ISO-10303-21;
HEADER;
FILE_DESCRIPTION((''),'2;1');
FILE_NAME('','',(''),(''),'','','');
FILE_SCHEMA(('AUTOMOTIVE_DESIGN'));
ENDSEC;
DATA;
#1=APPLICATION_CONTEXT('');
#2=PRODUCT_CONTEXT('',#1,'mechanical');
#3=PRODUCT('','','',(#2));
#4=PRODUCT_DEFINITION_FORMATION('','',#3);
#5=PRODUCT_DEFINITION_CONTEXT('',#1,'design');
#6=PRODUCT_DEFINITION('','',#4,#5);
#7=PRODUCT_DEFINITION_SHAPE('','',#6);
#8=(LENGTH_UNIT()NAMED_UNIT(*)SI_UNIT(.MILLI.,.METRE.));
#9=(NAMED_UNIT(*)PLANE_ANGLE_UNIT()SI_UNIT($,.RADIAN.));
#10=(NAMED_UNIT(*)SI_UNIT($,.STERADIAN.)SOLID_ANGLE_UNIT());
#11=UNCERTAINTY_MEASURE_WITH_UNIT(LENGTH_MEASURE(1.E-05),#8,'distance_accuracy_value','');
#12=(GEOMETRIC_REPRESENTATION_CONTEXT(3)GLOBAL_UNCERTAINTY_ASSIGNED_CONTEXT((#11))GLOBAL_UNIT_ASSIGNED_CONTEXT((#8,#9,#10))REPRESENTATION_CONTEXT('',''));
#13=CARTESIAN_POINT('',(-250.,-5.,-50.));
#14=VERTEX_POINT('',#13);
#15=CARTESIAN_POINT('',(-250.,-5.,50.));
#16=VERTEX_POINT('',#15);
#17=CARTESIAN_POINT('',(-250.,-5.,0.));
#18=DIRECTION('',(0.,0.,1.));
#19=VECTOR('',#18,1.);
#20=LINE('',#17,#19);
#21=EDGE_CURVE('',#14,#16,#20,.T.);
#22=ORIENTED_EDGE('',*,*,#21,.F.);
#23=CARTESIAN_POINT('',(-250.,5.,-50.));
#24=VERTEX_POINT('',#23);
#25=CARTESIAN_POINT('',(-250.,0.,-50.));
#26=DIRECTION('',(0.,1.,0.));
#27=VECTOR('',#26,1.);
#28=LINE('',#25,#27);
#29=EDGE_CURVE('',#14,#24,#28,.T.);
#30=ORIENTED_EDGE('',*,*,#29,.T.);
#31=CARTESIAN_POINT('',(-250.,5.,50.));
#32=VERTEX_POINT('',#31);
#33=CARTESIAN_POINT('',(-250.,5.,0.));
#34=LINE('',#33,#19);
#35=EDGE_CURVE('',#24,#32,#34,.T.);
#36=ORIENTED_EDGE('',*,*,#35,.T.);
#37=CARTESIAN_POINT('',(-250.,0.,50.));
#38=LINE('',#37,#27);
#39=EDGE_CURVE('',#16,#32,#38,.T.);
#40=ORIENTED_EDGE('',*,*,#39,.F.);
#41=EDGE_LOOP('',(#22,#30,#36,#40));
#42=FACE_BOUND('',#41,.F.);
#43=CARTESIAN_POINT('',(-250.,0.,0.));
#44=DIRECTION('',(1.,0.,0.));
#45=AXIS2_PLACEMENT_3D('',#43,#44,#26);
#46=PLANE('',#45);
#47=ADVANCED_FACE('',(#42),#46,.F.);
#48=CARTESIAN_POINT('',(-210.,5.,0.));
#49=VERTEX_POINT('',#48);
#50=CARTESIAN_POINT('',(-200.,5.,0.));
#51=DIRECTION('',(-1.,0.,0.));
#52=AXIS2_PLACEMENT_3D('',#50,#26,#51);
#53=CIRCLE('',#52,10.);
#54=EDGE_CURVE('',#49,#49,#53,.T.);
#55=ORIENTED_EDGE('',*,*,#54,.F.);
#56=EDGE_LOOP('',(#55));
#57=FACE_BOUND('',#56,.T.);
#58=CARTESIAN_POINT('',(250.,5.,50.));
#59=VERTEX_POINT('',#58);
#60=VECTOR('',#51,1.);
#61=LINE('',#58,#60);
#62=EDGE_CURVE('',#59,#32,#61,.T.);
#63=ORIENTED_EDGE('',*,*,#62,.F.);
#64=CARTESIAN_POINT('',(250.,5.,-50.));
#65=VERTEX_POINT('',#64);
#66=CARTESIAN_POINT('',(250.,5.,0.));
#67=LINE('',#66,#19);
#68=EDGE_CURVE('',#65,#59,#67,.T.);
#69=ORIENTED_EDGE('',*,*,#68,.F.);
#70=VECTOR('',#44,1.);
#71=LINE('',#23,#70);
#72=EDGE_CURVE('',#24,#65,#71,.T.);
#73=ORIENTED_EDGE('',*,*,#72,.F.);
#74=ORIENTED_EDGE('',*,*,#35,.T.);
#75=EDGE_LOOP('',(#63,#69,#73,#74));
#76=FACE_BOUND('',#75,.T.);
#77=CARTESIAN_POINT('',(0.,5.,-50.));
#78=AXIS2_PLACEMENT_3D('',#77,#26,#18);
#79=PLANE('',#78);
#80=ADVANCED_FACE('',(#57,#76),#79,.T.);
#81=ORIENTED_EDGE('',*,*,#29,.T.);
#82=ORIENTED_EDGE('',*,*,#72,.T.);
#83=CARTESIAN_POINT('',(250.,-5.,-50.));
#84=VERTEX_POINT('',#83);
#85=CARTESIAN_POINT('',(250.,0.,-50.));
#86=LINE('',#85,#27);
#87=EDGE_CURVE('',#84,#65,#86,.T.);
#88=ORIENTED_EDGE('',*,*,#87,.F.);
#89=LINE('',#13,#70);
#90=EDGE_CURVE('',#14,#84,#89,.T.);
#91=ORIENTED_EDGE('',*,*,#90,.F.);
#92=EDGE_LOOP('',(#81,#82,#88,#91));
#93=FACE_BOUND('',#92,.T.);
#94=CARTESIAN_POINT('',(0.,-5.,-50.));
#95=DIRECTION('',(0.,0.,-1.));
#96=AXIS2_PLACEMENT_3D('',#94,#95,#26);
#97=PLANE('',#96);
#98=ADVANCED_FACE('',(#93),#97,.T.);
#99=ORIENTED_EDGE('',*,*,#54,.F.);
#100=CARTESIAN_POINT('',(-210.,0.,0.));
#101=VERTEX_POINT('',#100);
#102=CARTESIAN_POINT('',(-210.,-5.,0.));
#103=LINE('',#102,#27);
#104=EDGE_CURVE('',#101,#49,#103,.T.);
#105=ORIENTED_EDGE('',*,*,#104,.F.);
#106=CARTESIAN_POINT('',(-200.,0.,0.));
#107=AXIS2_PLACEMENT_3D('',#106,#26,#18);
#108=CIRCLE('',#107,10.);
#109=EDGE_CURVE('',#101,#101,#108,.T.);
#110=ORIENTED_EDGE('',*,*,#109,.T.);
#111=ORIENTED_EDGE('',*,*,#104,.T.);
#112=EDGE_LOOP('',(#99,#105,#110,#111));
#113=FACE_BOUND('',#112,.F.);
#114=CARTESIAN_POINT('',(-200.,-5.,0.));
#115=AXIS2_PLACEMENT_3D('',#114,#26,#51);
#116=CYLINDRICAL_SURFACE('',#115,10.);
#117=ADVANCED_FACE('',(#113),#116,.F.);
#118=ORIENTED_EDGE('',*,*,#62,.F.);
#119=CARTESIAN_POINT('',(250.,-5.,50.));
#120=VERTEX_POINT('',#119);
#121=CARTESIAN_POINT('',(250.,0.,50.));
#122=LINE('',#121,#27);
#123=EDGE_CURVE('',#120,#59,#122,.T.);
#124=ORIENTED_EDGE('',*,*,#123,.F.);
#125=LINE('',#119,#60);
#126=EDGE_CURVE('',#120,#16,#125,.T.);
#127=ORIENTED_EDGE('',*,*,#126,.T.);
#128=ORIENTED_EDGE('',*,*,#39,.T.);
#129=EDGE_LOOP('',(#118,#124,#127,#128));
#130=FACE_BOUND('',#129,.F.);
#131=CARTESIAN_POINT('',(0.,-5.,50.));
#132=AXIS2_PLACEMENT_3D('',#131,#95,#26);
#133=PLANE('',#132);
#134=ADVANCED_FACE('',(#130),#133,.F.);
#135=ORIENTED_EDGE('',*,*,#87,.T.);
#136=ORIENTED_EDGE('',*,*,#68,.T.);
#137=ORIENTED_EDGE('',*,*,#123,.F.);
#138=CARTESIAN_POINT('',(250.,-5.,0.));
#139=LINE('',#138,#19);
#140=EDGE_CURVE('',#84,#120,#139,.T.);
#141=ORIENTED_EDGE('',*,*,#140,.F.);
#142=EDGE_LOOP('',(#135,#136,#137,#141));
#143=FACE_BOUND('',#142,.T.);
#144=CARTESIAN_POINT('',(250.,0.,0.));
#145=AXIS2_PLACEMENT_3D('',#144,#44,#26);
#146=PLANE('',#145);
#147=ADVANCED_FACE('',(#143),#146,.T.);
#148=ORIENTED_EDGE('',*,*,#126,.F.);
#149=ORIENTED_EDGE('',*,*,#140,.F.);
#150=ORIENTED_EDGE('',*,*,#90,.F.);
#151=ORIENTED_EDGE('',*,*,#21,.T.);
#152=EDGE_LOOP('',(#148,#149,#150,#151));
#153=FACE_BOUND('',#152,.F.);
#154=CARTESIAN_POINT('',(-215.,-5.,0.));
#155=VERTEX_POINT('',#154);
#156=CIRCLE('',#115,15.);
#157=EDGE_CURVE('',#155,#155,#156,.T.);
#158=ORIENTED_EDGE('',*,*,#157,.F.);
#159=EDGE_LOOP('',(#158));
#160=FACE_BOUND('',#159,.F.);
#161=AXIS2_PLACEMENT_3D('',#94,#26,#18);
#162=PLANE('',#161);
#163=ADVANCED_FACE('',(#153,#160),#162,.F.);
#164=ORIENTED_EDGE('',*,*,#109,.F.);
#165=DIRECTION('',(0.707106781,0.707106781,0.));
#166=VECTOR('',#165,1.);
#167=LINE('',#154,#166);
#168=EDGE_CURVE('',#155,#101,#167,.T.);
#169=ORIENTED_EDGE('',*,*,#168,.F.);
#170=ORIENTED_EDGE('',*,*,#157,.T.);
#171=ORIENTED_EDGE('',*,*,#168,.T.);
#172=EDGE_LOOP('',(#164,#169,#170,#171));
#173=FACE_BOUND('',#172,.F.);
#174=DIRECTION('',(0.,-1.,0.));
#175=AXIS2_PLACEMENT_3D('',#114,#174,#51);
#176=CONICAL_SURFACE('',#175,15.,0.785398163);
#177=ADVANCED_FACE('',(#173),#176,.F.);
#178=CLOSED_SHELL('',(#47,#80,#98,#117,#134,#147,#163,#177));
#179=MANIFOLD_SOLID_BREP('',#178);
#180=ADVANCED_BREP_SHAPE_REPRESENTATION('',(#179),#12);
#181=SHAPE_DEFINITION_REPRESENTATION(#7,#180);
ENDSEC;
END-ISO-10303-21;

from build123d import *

# Parameters (mm, degrees)
F0_W           = 10
F0_H           = 100
F1_DEPTH       = 250
F3_D           = 20
F3_CSINK_D     = 30
F3_CSINK_ANGLE = 90


with BuildPart() as f1:
    # F0 (on Right) → F1 (new body, symmetric)
    with BuildSketch(Plane.YZ):
        Rectangle(F0_W, F0_H)
    extrude(amount=F1_DEPTH, both=True)

    # F3 (through all)
    with Locations(Plane.XZ.offset(5)):
        with Locations((-200, 0)):
            CounterSinkHole(F3_D / 2, F3_CSINK_D / 2, counter_sink_angle=F3_CSINK_ANGLE)


solid = f1.part
